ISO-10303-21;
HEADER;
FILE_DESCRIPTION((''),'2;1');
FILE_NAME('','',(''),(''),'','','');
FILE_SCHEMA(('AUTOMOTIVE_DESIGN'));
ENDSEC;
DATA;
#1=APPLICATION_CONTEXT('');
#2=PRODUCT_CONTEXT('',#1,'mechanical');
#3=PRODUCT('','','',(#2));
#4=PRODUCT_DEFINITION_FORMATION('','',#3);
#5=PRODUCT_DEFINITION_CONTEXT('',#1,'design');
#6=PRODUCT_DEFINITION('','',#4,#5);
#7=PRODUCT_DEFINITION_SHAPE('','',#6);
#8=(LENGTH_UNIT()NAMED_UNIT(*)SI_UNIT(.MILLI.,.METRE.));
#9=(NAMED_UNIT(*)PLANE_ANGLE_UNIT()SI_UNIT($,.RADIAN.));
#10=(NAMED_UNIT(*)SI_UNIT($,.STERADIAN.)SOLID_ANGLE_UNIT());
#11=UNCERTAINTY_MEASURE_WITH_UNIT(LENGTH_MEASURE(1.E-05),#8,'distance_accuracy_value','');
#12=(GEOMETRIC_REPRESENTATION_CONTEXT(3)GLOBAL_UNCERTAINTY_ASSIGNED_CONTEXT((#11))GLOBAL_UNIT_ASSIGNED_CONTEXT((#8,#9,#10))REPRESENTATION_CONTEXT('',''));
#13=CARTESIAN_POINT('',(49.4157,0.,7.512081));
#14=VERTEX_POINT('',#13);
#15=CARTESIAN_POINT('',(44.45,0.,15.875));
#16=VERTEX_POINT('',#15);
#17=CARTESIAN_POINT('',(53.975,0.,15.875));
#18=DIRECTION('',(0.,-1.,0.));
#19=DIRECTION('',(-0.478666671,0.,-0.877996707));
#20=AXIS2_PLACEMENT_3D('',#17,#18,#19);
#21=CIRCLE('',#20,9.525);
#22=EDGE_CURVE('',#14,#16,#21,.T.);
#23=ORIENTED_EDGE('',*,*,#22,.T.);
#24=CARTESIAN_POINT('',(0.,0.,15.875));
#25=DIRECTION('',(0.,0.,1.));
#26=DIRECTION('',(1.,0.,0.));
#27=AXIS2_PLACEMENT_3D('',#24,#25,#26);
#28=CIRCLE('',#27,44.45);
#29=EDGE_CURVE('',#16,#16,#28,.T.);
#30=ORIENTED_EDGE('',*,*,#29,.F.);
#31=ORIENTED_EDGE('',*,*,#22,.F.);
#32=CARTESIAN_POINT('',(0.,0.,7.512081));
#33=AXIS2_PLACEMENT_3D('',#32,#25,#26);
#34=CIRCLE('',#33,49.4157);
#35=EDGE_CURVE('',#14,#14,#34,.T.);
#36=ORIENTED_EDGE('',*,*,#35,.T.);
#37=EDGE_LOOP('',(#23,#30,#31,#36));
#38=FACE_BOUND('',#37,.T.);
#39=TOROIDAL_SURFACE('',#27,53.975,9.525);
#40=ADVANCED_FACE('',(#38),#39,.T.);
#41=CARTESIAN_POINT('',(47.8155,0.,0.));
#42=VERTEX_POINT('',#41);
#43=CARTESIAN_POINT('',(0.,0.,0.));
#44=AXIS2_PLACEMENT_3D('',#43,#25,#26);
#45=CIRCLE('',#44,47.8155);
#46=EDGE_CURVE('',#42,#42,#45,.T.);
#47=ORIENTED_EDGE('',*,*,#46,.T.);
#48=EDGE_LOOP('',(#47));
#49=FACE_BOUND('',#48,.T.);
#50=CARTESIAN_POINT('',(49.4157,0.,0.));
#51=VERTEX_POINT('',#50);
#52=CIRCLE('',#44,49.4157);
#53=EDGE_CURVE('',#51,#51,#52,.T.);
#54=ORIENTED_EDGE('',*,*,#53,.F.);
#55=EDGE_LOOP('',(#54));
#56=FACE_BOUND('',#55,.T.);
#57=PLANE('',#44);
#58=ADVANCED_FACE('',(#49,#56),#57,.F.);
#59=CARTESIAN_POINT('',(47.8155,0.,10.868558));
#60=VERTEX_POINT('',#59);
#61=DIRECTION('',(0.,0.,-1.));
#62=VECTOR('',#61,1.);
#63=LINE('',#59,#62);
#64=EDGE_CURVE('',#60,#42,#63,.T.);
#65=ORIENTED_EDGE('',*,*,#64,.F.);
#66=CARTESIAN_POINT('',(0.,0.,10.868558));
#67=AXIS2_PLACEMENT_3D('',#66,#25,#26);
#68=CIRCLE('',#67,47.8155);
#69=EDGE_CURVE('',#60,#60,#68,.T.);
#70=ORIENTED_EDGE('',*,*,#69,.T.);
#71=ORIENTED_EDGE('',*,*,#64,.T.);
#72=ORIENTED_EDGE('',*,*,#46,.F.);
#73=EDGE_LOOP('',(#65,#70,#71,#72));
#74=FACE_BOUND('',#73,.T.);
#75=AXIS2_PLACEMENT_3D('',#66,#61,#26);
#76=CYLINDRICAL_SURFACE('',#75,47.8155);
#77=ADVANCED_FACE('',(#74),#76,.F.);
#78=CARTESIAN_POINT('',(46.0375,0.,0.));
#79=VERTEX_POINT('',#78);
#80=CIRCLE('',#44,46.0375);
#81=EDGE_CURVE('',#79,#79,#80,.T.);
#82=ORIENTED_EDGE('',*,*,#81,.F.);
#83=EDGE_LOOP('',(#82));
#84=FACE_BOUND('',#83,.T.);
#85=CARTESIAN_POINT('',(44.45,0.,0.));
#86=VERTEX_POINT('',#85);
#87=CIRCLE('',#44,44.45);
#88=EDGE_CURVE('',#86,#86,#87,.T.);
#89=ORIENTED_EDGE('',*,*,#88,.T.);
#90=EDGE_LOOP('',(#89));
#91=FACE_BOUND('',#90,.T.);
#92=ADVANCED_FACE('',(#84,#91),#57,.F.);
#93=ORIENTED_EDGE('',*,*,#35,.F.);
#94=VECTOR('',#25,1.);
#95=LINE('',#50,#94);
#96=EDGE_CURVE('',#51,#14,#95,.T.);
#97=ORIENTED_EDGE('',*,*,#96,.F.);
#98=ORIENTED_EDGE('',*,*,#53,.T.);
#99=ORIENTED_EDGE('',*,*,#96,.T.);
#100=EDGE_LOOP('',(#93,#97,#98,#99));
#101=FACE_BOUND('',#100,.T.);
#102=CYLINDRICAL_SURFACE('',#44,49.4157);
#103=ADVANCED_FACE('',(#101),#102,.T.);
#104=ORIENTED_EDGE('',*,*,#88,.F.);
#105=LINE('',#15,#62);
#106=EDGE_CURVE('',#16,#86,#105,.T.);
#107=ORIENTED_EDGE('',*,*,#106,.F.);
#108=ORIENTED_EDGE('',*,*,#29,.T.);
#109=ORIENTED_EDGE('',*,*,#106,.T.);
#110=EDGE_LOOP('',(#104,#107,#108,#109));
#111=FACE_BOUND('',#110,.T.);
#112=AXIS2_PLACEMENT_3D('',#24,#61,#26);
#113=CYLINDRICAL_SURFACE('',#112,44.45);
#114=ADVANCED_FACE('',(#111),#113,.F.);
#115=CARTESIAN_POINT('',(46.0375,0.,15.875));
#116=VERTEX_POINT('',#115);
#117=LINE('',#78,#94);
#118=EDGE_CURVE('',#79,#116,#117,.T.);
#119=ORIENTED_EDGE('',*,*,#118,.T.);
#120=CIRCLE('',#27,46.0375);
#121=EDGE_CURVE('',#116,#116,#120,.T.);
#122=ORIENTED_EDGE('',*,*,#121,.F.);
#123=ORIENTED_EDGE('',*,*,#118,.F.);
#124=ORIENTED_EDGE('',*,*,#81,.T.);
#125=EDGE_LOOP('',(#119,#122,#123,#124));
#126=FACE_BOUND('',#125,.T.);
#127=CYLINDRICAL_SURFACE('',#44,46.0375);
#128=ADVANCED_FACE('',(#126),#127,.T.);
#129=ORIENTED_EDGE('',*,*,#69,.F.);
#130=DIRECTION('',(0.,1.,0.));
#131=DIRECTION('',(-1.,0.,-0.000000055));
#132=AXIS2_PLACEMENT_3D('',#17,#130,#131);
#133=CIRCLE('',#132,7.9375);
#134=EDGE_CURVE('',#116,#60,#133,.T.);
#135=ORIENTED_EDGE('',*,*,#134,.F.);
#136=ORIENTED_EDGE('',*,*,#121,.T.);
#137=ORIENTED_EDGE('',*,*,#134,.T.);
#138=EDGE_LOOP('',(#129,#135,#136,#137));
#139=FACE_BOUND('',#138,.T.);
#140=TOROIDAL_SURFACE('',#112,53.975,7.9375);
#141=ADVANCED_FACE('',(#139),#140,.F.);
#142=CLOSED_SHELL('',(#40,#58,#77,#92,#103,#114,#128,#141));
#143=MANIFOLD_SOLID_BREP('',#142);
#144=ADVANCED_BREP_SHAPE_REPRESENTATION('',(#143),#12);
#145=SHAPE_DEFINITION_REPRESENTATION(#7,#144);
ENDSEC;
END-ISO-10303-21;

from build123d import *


with BuildPart() as f1:
    # F0 (on Front) → F1 (revolve)
    with BuildSketch(Plane.XZ):
        with BuildLine():
            ThreePointArc((46.0375, 15.875), (61.454804, 18.531396), (47.8155, 10.868558))
            Line((47.8155, 10.868558), (47.8155, 0))
            Line((47.8155, 0), (49.4157, 0))
            Line((49.4157, 0), (49.4157, 7.512081))
            ThreePointArc((49.4157, 7.512081), (62.165023, 20.738039), (44.45, 15.875))
            Line((44.45, 15.875), (44.45, 0))
            Line((44.45, 0), (46.0375, 0))
            Line((46.0375, 0), (46.0375, 15.875))
        make_face()
    revolve(axis=Axis((0, 0, 19.293888), (0, 0, 1)))


solid = f1.part
